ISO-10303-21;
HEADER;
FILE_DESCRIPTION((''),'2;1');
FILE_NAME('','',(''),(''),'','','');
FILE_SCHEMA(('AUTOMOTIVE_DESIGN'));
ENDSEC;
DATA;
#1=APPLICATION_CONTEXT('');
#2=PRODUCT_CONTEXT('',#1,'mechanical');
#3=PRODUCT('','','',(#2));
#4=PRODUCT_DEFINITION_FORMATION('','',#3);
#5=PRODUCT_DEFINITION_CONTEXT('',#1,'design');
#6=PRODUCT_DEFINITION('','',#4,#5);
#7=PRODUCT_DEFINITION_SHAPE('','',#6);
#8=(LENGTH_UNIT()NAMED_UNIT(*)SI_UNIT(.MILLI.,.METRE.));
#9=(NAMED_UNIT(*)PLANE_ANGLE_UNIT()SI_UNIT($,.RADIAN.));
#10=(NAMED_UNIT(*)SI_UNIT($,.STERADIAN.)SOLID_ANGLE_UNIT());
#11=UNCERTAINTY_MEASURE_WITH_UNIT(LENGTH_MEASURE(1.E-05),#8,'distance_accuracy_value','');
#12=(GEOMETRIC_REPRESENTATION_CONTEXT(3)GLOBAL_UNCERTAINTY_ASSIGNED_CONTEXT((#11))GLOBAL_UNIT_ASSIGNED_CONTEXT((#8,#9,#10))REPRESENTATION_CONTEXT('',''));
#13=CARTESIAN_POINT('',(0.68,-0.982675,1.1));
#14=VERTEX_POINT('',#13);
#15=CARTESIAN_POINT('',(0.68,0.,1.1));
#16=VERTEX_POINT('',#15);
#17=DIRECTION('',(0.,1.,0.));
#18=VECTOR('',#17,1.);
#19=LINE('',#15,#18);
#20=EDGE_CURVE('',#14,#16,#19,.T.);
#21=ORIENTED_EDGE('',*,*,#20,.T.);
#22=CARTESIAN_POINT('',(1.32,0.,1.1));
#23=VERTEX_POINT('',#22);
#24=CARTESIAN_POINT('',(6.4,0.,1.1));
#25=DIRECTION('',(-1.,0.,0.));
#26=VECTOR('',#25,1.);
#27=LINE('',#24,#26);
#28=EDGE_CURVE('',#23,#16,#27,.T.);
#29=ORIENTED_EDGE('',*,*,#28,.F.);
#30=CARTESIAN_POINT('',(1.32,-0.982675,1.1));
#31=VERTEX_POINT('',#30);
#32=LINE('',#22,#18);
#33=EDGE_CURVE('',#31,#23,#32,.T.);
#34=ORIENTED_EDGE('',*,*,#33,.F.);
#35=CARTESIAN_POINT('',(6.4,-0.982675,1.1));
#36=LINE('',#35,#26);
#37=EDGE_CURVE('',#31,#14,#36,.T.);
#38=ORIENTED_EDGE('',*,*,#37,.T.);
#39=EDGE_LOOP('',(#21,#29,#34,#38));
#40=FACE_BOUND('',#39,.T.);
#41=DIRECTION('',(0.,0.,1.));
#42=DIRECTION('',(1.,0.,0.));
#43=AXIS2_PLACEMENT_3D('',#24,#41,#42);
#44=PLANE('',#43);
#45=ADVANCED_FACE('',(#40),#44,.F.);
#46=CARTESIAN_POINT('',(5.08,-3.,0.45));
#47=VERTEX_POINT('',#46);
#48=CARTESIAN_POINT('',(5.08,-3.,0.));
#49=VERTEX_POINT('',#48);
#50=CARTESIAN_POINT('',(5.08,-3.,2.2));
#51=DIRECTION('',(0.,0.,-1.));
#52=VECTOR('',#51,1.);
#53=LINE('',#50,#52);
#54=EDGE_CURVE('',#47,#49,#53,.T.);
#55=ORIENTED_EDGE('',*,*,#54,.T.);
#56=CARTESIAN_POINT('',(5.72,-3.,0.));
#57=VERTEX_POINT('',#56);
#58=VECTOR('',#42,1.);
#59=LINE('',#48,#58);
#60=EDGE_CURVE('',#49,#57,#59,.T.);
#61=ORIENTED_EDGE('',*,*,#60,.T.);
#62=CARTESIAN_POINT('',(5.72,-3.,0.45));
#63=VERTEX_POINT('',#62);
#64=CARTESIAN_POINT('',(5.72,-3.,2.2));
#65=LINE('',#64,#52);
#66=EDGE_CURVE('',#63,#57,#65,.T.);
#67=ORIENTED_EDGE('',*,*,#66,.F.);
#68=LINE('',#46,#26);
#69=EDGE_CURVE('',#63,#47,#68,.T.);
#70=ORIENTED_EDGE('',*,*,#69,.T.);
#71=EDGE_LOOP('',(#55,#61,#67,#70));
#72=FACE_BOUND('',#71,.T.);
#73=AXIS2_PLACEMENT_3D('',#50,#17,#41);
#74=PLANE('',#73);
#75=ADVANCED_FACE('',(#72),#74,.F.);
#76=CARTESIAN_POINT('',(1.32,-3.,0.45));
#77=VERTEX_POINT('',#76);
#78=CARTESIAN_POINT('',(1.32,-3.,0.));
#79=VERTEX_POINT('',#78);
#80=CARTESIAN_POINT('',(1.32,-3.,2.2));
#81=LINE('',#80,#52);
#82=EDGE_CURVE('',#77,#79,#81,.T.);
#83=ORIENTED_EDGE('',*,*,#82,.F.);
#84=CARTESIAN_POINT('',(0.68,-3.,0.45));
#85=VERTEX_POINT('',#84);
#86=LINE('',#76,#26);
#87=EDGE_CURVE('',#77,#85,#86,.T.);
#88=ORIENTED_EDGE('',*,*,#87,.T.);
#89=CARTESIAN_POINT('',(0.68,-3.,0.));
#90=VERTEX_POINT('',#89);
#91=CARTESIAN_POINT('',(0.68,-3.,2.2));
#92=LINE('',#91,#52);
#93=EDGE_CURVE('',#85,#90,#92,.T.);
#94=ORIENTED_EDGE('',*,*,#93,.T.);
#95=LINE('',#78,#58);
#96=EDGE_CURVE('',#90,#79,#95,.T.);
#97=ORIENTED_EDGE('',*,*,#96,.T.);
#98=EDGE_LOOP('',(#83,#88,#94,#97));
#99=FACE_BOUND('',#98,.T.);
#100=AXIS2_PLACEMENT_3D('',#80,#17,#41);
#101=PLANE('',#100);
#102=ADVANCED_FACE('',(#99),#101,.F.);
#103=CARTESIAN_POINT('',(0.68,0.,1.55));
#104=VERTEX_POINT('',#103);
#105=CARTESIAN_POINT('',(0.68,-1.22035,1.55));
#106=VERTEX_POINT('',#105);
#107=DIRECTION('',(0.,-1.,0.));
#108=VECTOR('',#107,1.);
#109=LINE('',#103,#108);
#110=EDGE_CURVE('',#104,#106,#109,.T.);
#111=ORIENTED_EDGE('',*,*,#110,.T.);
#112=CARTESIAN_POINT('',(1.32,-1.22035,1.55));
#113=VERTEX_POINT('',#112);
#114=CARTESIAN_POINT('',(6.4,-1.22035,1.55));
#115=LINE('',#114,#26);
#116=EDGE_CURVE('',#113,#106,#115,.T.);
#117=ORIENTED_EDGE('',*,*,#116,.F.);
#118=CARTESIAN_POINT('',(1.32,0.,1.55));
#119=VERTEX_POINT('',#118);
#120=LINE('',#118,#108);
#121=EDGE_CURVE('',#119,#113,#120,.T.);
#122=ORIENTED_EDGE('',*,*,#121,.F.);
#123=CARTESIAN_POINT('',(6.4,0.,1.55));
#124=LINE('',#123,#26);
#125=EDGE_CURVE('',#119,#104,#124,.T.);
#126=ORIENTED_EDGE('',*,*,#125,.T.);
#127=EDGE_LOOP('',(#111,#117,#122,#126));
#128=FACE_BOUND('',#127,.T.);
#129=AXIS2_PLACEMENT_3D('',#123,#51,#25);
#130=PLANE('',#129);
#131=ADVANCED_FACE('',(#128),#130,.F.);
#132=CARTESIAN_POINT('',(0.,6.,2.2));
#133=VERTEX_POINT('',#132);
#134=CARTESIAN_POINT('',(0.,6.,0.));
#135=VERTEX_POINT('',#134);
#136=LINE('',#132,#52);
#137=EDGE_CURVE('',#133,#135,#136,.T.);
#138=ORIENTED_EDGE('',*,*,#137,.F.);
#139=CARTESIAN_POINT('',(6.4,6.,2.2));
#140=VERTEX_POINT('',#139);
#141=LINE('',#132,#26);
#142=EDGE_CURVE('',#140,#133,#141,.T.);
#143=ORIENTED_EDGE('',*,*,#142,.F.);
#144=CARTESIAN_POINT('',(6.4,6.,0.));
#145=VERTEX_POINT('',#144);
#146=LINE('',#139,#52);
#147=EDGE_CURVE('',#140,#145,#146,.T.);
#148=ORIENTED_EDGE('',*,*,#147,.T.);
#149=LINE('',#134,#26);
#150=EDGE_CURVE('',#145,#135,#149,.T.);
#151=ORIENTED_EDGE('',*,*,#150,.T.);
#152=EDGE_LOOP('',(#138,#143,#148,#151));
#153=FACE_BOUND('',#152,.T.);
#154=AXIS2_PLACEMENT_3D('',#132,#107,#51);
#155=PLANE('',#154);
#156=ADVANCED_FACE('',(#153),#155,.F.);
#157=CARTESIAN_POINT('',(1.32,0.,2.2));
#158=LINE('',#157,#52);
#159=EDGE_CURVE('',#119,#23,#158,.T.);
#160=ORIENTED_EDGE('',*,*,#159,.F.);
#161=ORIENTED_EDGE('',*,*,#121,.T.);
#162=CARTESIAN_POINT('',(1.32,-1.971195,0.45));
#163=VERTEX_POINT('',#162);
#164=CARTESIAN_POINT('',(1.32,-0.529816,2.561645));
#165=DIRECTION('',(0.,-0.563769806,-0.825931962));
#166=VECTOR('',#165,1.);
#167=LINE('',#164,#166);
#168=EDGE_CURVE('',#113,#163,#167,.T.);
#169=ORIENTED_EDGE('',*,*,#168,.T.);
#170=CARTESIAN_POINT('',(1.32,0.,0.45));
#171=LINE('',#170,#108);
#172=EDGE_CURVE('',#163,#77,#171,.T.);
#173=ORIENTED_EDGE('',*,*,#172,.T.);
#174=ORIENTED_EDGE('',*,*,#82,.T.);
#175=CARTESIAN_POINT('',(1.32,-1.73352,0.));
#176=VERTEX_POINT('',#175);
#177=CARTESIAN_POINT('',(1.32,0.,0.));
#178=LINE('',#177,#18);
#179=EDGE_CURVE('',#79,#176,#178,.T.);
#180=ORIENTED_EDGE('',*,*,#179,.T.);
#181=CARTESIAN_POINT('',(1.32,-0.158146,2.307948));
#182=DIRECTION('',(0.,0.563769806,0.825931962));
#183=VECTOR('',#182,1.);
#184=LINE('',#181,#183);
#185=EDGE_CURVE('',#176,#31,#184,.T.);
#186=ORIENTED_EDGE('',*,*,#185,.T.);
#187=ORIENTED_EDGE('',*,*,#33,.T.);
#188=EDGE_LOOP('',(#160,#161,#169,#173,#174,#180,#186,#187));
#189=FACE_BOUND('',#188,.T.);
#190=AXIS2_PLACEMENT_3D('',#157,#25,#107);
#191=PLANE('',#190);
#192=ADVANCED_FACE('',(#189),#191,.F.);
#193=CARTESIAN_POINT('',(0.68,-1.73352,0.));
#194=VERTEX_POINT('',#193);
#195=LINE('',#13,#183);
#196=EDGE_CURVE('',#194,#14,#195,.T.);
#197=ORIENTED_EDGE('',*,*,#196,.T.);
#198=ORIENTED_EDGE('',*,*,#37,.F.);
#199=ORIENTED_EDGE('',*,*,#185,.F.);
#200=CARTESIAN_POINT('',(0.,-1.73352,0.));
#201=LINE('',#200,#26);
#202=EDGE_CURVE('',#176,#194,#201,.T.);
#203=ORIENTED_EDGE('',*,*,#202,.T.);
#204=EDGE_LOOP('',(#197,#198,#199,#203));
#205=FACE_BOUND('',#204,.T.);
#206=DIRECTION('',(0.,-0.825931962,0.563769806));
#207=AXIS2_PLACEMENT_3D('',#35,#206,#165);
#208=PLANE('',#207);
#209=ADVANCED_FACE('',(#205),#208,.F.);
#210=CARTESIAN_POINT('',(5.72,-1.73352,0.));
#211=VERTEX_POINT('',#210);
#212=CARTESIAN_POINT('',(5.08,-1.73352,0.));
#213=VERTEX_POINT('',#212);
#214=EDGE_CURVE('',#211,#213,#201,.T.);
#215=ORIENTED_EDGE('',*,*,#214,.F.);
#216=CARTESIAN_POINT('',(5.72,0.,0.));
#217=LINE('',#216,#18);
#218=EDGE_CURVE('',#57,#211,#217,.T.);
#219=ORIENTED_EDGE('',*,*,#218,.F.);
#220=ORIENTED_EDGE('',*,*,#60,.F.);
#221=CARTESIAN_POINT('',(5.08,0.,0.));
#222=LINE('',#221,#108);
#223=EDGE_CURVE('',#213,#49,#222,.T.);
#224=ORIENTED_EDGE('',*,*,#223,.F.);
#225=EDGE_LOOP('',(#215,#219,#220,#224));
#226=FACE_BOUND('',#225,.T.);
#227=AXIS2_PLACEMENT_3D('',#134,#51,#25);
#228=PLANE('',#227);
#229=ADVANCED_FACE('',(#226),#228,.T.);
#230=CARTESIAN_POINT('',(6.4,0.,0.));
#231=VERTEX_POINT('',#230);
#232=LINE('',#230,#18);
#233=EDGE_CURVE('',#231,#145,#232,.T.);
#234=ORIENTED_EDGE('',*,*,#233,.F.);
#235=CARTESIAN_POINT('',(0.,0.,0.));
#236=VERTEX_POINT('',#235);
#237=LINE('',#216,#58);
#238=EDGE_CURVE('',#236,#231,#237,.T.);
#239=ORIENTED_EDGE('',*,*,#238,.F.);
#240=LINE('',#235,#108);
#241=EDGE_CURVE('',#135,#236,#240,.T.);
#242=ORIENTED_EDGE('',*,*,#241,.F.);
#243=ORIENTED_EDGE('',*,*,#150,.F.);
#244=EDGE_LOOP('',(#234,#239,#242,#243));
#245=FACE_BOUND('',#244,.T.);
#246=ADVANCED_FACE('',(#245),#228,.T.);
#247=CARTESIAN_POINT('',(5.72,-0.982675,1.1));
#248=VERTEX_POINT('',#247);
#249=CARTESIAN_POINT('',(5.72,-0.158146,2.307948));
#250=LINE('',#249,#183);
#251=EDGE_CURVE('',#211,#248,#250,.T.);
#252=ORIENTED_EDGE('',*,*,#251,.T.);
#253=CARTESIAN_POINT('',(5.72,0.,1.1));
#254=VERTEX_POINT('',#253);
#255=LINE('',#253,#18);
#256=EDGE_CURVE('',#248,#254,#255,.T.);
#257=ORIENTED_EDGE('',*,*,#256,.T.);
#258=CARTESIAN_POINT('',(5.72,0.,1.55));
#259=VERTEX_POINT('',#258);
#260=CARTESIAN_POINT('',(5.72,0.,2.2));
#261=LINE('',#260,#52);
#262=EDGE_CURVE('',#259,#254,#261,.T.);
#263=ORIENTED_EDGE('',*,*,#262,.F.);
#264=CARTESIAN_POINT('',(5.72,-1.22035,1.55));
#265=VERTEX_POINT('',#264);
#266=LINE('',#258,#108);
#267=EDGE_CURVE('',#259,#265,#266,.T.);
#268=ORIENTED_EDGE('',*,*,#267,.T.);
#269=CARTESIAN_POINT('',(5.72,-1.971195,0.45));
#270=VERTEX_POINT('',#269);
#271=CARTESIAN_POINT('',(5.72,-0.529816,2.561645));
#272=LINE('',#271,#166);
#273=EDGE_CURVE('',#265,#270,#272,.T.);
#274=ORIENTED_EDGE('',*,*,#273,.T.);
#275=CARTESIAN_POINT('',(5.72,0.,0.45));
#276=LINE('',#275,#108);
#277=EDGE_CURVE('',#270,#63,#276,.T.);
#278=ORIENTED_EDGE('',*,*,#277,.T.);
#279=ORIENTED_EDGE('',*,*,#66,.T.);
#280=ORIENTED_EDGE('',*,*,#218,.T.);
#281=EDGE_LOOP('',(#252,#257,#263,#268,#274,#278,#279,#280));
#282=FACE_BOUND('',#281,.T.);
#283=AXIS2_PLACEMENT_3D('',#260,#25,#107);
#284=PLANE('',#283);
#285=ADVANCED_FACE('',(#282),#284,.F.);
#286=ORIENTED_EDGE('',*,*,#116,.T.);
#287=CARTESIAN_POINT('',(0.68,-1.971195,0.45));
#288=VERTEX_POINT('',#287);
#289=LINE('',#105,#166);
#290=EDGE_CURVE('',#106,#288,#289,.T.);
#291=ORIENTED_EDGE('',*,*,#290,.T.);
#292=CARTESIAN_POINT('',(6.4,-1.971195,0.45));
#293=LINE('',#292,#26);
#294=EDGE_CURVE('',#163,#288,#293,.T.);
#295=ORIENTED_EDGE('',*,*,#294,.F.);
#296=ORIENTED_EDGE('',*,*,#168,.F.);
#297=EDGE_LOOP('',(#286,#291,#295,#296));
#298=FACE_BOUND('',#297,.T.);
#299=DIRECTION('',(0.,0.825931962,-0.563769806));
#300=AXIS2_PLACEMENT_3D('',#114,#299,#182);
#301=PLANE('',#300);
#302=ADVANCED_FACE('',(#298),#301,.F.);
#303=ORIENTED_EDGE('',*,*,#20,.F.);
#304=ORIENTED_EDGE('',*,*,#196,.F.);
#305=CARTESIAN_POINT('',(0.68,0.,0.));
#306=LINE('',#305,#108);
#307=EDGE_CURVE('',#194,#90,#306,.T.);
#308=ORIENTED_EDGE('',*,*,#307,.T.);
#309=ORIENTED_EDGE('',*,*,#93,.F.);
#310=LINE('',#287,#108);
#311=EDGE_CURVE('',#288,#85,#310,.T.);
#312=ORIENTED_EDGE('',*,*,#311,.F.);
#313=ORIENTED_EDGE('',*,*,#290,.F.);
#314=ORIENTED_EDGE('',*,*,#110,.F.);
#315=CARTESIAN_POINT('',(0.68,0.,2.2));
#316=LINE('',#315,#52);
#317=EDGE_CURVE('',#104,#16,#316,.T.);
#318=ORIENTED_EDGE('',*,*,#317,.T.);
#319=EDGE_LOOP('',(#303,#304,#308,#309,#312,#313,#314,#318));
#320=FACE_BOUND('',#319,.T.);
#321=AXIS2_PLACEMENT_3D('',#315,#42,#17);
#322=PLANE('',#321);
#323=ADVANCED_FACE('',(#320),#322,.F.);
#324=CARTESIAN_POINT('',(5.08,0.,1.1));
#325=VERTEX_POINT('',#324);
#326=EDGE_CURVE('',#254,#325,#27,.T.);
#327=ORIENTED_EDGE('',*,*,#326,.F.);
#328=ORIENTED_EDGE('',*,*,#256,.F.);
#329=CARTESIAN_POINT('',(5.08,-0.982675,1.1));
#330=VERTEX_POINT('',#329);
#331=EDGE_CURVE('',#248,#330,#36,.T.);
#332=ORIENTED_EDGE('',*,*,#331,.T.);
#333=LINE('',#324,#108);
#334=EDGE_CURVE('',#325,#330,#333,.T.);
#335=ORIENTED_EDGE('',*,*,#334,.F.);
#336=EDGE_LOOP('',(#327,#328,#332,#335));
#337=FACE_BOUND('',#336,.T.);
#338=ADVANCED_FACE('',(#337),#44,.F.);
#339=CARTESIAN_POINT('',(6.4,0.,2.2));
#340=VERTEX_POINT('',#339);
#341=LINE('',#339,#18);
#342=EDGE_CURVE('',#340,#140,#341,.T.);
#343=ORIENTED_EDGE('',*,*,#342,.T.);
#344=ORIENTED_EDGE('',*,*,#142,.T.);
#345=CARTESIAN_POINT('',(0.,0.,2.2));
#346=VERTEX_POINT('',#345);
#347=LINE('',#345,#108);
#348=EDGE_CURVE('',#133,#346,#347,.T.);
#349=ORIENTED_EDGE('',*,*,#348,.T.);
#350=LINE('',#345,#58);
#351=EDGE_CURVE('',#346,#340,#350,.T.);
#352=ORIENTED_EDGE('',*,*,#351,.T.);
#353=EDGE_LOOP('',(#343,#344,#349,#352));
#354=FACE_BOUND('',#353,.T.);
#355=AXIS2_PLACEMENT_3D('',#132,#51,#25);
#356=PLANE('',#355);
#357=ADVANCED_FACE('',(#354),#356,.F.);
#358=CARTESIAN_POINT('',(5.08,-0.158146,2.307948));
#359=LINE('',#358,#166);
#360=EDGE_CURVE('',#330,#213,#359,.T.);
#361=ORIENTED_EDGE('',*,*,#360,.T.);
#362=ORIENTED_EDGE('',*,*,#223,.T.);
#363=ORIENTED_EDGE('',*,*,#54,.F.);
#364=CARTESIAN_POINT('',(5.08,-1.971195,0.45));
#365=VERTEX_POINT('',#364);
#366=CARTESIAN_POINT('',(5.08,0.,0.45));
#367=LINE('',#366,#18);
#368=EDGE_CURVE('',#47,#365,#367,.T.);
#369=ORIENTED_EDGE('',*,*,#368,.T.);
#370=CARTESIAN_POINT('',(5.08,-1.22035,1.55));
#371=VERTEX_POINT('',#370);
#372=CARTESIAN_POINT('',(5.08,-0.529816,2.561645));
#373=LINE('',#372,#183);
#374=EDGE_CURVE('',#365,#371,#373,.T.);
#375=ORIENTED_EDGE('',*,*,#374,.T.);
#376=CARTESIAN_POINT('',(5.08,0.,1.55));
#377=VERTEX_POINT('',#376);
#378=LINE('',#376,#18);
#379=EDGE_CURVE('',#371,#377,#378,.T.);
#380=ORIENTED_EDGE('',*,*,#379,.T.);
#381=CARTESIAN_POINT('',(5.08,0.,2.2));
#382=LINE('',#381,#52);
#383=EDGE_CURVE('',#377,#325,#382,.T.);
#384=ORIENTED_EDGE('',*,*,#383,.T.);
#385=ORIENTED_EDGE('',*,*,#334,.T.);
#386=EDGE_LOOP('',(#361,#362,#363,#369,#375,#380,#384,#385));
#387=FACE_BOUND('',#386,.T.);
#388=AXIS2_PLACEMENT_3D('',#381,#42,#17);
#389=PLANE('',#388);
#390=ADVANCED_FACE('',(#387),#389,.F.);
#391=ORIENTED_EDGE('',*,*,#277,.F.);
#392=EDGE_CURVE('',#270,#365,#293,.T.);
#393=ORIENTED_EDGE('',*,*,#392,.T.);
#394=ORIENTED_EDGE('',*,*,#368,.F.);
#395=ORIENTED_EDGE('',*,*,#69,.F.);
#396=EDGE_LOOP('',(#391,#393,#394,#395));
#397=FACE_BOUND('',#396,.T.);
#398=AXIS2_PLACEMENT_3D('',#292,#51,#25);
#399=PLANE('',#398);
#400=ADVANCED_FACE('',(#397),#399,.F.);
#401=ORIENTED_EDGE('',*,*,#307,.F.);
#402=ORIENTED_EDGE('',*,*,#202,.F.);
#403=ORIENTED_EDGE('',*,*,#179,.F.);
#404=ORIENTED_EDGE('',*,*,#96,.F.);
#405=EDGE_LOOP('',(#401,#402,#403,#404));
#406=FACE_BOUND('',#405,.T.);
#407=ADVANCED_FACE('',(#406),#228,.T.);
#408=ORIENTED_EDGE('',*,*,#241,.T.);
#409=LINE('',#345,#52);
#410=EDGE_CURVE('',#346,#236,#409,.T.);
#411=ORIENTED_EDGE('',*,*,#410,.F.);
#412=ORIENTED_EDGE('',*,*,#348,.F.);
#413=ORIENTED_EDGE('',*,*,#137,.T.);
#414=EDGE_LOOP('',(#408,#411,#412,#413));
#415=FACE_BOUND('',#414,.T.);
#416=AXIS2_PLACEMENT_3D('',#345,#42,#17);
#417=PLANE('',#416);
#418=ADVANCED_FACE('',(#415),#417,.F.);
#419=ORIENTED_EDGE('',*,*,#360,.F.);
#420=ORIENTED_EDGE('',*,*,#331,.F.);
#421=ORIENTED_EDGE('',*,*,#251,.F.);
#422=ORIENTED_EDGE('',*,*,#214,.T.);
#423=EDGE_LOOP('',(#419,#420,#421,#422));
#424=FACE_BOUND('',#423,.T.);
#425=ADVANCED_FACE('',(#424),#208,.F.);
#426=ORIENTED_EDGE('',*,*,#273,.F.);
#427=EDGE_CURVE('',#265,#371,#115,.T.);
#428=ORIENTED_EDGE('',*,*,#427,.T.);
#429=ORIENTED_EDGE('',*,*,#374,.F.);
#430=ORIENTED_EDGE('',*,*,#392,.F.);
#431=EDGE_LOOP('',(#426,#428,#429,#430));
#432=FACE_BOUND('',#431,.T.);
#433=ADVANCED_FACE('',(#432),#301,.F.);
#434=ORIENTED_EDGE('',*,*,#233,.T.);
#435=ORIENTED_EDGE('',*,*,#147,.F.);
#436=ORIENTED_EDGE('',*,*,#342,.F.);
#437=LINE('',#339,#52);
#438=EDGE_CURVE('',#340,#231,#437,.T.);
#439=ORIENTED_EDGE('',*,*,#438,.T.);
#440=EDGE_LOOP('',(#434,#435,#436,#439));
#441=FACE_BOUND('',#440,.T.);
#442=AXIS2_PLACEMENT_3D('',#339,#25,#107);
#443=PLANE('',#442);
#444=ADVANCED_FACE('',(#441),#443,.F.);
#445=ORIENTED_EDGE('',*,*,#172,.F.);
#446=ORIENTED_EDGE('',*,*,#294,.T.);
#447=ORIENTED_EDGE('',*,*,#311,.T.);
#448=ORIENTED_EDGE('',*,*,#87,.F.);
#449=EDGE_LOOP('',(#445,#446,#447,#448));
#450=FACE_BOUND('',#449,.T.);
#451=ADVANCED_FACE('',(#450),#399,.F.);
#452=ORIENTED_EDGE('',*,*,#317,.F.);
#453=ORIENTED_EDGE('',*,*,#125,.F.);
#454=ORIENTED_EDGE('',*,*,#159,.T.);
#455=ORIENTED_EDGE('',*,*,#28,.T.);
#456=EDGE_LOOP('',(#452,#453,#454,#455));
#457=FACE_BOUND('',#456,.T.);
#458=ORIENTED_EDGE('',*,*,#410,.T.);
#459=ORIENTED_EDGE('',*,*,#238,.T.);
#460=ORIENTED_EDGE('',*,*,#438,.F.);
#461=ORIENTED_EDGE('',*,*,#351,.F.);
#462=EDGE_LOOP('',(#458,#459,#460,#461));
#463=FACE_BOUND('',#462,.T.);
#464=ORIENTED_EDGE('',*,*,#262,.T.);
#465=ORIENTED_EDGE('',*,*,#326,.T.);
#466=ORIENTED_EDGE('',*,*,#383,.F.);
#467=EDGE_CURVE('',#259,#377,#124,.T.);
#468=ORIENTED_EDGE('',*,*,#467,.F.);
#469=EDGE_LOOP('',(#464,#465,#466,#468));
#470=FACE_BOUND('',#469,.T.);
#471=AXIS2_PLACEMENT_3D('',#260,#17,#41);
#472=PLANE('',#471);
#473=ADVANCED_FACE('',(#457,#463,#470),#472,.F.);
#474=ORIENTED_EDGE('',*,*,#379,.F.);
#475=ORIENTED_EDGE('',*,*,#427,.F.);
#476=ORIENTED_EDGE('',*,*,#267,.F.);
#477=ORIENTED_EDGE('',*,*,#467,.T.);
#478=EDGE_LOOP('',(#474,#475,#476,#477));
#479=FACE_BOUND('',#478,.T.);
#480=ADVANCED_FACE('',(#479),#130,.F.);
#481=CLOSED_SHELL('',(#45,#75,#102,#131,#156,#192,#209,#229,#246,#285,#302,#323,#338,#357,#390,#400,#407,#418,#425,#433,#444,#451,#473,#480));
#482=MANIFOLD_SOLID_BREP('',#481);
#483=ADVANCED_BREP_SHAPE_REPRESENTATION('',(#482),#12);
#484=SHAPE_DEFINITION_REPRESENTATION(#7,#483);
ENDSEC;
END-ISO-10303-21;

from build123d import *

# Parameters (mm, degrees)
EXTRUSION1_DEPTH        = 2.2
ENL_V_MAT_EXTRU_1_DEPTH = 9.576619381


with BuildPart() as part:
    # Esquisse1 → Extrusion1 (new body)
    with BuildSketch(Plane.XY):
        Polygon((0, 0), (0.68, 0), (0.68, -3), (1.32, -3), (1.32, 0), (5.08, 0), (5.08, -3), (5.72, -3), (5.72, 0), (6.4, 0), (6.4, 6), (0, 6), align=None)
    extrude(amount=EXTRUSION1_DEPTH)

    # Esquisse2 → Enlèv. mat.-Extru.1 (cut, through all)
    with BuildSketch(Plane.ZY.offset(-0.68)):
        Polygon((0.45, -1.971195231), (0.45, -3.327188137), (4.113583834, -3.327188137), (4.113583834, 0), (1.55, 0), (1.55, -1.220350349), align=None)
        Polygon((0, -1.733519979), (0, -3.327188137), (-1.233682365, -3.327188137), (-1.233682365, 0), (1.1, 0), (1.1, -0.982675097), align=None)
    extrude(amount=-ENL_V_MAT_EXTRU_1_DEPTH, mode=Mode.SUBTRACT)


solid = part.part
